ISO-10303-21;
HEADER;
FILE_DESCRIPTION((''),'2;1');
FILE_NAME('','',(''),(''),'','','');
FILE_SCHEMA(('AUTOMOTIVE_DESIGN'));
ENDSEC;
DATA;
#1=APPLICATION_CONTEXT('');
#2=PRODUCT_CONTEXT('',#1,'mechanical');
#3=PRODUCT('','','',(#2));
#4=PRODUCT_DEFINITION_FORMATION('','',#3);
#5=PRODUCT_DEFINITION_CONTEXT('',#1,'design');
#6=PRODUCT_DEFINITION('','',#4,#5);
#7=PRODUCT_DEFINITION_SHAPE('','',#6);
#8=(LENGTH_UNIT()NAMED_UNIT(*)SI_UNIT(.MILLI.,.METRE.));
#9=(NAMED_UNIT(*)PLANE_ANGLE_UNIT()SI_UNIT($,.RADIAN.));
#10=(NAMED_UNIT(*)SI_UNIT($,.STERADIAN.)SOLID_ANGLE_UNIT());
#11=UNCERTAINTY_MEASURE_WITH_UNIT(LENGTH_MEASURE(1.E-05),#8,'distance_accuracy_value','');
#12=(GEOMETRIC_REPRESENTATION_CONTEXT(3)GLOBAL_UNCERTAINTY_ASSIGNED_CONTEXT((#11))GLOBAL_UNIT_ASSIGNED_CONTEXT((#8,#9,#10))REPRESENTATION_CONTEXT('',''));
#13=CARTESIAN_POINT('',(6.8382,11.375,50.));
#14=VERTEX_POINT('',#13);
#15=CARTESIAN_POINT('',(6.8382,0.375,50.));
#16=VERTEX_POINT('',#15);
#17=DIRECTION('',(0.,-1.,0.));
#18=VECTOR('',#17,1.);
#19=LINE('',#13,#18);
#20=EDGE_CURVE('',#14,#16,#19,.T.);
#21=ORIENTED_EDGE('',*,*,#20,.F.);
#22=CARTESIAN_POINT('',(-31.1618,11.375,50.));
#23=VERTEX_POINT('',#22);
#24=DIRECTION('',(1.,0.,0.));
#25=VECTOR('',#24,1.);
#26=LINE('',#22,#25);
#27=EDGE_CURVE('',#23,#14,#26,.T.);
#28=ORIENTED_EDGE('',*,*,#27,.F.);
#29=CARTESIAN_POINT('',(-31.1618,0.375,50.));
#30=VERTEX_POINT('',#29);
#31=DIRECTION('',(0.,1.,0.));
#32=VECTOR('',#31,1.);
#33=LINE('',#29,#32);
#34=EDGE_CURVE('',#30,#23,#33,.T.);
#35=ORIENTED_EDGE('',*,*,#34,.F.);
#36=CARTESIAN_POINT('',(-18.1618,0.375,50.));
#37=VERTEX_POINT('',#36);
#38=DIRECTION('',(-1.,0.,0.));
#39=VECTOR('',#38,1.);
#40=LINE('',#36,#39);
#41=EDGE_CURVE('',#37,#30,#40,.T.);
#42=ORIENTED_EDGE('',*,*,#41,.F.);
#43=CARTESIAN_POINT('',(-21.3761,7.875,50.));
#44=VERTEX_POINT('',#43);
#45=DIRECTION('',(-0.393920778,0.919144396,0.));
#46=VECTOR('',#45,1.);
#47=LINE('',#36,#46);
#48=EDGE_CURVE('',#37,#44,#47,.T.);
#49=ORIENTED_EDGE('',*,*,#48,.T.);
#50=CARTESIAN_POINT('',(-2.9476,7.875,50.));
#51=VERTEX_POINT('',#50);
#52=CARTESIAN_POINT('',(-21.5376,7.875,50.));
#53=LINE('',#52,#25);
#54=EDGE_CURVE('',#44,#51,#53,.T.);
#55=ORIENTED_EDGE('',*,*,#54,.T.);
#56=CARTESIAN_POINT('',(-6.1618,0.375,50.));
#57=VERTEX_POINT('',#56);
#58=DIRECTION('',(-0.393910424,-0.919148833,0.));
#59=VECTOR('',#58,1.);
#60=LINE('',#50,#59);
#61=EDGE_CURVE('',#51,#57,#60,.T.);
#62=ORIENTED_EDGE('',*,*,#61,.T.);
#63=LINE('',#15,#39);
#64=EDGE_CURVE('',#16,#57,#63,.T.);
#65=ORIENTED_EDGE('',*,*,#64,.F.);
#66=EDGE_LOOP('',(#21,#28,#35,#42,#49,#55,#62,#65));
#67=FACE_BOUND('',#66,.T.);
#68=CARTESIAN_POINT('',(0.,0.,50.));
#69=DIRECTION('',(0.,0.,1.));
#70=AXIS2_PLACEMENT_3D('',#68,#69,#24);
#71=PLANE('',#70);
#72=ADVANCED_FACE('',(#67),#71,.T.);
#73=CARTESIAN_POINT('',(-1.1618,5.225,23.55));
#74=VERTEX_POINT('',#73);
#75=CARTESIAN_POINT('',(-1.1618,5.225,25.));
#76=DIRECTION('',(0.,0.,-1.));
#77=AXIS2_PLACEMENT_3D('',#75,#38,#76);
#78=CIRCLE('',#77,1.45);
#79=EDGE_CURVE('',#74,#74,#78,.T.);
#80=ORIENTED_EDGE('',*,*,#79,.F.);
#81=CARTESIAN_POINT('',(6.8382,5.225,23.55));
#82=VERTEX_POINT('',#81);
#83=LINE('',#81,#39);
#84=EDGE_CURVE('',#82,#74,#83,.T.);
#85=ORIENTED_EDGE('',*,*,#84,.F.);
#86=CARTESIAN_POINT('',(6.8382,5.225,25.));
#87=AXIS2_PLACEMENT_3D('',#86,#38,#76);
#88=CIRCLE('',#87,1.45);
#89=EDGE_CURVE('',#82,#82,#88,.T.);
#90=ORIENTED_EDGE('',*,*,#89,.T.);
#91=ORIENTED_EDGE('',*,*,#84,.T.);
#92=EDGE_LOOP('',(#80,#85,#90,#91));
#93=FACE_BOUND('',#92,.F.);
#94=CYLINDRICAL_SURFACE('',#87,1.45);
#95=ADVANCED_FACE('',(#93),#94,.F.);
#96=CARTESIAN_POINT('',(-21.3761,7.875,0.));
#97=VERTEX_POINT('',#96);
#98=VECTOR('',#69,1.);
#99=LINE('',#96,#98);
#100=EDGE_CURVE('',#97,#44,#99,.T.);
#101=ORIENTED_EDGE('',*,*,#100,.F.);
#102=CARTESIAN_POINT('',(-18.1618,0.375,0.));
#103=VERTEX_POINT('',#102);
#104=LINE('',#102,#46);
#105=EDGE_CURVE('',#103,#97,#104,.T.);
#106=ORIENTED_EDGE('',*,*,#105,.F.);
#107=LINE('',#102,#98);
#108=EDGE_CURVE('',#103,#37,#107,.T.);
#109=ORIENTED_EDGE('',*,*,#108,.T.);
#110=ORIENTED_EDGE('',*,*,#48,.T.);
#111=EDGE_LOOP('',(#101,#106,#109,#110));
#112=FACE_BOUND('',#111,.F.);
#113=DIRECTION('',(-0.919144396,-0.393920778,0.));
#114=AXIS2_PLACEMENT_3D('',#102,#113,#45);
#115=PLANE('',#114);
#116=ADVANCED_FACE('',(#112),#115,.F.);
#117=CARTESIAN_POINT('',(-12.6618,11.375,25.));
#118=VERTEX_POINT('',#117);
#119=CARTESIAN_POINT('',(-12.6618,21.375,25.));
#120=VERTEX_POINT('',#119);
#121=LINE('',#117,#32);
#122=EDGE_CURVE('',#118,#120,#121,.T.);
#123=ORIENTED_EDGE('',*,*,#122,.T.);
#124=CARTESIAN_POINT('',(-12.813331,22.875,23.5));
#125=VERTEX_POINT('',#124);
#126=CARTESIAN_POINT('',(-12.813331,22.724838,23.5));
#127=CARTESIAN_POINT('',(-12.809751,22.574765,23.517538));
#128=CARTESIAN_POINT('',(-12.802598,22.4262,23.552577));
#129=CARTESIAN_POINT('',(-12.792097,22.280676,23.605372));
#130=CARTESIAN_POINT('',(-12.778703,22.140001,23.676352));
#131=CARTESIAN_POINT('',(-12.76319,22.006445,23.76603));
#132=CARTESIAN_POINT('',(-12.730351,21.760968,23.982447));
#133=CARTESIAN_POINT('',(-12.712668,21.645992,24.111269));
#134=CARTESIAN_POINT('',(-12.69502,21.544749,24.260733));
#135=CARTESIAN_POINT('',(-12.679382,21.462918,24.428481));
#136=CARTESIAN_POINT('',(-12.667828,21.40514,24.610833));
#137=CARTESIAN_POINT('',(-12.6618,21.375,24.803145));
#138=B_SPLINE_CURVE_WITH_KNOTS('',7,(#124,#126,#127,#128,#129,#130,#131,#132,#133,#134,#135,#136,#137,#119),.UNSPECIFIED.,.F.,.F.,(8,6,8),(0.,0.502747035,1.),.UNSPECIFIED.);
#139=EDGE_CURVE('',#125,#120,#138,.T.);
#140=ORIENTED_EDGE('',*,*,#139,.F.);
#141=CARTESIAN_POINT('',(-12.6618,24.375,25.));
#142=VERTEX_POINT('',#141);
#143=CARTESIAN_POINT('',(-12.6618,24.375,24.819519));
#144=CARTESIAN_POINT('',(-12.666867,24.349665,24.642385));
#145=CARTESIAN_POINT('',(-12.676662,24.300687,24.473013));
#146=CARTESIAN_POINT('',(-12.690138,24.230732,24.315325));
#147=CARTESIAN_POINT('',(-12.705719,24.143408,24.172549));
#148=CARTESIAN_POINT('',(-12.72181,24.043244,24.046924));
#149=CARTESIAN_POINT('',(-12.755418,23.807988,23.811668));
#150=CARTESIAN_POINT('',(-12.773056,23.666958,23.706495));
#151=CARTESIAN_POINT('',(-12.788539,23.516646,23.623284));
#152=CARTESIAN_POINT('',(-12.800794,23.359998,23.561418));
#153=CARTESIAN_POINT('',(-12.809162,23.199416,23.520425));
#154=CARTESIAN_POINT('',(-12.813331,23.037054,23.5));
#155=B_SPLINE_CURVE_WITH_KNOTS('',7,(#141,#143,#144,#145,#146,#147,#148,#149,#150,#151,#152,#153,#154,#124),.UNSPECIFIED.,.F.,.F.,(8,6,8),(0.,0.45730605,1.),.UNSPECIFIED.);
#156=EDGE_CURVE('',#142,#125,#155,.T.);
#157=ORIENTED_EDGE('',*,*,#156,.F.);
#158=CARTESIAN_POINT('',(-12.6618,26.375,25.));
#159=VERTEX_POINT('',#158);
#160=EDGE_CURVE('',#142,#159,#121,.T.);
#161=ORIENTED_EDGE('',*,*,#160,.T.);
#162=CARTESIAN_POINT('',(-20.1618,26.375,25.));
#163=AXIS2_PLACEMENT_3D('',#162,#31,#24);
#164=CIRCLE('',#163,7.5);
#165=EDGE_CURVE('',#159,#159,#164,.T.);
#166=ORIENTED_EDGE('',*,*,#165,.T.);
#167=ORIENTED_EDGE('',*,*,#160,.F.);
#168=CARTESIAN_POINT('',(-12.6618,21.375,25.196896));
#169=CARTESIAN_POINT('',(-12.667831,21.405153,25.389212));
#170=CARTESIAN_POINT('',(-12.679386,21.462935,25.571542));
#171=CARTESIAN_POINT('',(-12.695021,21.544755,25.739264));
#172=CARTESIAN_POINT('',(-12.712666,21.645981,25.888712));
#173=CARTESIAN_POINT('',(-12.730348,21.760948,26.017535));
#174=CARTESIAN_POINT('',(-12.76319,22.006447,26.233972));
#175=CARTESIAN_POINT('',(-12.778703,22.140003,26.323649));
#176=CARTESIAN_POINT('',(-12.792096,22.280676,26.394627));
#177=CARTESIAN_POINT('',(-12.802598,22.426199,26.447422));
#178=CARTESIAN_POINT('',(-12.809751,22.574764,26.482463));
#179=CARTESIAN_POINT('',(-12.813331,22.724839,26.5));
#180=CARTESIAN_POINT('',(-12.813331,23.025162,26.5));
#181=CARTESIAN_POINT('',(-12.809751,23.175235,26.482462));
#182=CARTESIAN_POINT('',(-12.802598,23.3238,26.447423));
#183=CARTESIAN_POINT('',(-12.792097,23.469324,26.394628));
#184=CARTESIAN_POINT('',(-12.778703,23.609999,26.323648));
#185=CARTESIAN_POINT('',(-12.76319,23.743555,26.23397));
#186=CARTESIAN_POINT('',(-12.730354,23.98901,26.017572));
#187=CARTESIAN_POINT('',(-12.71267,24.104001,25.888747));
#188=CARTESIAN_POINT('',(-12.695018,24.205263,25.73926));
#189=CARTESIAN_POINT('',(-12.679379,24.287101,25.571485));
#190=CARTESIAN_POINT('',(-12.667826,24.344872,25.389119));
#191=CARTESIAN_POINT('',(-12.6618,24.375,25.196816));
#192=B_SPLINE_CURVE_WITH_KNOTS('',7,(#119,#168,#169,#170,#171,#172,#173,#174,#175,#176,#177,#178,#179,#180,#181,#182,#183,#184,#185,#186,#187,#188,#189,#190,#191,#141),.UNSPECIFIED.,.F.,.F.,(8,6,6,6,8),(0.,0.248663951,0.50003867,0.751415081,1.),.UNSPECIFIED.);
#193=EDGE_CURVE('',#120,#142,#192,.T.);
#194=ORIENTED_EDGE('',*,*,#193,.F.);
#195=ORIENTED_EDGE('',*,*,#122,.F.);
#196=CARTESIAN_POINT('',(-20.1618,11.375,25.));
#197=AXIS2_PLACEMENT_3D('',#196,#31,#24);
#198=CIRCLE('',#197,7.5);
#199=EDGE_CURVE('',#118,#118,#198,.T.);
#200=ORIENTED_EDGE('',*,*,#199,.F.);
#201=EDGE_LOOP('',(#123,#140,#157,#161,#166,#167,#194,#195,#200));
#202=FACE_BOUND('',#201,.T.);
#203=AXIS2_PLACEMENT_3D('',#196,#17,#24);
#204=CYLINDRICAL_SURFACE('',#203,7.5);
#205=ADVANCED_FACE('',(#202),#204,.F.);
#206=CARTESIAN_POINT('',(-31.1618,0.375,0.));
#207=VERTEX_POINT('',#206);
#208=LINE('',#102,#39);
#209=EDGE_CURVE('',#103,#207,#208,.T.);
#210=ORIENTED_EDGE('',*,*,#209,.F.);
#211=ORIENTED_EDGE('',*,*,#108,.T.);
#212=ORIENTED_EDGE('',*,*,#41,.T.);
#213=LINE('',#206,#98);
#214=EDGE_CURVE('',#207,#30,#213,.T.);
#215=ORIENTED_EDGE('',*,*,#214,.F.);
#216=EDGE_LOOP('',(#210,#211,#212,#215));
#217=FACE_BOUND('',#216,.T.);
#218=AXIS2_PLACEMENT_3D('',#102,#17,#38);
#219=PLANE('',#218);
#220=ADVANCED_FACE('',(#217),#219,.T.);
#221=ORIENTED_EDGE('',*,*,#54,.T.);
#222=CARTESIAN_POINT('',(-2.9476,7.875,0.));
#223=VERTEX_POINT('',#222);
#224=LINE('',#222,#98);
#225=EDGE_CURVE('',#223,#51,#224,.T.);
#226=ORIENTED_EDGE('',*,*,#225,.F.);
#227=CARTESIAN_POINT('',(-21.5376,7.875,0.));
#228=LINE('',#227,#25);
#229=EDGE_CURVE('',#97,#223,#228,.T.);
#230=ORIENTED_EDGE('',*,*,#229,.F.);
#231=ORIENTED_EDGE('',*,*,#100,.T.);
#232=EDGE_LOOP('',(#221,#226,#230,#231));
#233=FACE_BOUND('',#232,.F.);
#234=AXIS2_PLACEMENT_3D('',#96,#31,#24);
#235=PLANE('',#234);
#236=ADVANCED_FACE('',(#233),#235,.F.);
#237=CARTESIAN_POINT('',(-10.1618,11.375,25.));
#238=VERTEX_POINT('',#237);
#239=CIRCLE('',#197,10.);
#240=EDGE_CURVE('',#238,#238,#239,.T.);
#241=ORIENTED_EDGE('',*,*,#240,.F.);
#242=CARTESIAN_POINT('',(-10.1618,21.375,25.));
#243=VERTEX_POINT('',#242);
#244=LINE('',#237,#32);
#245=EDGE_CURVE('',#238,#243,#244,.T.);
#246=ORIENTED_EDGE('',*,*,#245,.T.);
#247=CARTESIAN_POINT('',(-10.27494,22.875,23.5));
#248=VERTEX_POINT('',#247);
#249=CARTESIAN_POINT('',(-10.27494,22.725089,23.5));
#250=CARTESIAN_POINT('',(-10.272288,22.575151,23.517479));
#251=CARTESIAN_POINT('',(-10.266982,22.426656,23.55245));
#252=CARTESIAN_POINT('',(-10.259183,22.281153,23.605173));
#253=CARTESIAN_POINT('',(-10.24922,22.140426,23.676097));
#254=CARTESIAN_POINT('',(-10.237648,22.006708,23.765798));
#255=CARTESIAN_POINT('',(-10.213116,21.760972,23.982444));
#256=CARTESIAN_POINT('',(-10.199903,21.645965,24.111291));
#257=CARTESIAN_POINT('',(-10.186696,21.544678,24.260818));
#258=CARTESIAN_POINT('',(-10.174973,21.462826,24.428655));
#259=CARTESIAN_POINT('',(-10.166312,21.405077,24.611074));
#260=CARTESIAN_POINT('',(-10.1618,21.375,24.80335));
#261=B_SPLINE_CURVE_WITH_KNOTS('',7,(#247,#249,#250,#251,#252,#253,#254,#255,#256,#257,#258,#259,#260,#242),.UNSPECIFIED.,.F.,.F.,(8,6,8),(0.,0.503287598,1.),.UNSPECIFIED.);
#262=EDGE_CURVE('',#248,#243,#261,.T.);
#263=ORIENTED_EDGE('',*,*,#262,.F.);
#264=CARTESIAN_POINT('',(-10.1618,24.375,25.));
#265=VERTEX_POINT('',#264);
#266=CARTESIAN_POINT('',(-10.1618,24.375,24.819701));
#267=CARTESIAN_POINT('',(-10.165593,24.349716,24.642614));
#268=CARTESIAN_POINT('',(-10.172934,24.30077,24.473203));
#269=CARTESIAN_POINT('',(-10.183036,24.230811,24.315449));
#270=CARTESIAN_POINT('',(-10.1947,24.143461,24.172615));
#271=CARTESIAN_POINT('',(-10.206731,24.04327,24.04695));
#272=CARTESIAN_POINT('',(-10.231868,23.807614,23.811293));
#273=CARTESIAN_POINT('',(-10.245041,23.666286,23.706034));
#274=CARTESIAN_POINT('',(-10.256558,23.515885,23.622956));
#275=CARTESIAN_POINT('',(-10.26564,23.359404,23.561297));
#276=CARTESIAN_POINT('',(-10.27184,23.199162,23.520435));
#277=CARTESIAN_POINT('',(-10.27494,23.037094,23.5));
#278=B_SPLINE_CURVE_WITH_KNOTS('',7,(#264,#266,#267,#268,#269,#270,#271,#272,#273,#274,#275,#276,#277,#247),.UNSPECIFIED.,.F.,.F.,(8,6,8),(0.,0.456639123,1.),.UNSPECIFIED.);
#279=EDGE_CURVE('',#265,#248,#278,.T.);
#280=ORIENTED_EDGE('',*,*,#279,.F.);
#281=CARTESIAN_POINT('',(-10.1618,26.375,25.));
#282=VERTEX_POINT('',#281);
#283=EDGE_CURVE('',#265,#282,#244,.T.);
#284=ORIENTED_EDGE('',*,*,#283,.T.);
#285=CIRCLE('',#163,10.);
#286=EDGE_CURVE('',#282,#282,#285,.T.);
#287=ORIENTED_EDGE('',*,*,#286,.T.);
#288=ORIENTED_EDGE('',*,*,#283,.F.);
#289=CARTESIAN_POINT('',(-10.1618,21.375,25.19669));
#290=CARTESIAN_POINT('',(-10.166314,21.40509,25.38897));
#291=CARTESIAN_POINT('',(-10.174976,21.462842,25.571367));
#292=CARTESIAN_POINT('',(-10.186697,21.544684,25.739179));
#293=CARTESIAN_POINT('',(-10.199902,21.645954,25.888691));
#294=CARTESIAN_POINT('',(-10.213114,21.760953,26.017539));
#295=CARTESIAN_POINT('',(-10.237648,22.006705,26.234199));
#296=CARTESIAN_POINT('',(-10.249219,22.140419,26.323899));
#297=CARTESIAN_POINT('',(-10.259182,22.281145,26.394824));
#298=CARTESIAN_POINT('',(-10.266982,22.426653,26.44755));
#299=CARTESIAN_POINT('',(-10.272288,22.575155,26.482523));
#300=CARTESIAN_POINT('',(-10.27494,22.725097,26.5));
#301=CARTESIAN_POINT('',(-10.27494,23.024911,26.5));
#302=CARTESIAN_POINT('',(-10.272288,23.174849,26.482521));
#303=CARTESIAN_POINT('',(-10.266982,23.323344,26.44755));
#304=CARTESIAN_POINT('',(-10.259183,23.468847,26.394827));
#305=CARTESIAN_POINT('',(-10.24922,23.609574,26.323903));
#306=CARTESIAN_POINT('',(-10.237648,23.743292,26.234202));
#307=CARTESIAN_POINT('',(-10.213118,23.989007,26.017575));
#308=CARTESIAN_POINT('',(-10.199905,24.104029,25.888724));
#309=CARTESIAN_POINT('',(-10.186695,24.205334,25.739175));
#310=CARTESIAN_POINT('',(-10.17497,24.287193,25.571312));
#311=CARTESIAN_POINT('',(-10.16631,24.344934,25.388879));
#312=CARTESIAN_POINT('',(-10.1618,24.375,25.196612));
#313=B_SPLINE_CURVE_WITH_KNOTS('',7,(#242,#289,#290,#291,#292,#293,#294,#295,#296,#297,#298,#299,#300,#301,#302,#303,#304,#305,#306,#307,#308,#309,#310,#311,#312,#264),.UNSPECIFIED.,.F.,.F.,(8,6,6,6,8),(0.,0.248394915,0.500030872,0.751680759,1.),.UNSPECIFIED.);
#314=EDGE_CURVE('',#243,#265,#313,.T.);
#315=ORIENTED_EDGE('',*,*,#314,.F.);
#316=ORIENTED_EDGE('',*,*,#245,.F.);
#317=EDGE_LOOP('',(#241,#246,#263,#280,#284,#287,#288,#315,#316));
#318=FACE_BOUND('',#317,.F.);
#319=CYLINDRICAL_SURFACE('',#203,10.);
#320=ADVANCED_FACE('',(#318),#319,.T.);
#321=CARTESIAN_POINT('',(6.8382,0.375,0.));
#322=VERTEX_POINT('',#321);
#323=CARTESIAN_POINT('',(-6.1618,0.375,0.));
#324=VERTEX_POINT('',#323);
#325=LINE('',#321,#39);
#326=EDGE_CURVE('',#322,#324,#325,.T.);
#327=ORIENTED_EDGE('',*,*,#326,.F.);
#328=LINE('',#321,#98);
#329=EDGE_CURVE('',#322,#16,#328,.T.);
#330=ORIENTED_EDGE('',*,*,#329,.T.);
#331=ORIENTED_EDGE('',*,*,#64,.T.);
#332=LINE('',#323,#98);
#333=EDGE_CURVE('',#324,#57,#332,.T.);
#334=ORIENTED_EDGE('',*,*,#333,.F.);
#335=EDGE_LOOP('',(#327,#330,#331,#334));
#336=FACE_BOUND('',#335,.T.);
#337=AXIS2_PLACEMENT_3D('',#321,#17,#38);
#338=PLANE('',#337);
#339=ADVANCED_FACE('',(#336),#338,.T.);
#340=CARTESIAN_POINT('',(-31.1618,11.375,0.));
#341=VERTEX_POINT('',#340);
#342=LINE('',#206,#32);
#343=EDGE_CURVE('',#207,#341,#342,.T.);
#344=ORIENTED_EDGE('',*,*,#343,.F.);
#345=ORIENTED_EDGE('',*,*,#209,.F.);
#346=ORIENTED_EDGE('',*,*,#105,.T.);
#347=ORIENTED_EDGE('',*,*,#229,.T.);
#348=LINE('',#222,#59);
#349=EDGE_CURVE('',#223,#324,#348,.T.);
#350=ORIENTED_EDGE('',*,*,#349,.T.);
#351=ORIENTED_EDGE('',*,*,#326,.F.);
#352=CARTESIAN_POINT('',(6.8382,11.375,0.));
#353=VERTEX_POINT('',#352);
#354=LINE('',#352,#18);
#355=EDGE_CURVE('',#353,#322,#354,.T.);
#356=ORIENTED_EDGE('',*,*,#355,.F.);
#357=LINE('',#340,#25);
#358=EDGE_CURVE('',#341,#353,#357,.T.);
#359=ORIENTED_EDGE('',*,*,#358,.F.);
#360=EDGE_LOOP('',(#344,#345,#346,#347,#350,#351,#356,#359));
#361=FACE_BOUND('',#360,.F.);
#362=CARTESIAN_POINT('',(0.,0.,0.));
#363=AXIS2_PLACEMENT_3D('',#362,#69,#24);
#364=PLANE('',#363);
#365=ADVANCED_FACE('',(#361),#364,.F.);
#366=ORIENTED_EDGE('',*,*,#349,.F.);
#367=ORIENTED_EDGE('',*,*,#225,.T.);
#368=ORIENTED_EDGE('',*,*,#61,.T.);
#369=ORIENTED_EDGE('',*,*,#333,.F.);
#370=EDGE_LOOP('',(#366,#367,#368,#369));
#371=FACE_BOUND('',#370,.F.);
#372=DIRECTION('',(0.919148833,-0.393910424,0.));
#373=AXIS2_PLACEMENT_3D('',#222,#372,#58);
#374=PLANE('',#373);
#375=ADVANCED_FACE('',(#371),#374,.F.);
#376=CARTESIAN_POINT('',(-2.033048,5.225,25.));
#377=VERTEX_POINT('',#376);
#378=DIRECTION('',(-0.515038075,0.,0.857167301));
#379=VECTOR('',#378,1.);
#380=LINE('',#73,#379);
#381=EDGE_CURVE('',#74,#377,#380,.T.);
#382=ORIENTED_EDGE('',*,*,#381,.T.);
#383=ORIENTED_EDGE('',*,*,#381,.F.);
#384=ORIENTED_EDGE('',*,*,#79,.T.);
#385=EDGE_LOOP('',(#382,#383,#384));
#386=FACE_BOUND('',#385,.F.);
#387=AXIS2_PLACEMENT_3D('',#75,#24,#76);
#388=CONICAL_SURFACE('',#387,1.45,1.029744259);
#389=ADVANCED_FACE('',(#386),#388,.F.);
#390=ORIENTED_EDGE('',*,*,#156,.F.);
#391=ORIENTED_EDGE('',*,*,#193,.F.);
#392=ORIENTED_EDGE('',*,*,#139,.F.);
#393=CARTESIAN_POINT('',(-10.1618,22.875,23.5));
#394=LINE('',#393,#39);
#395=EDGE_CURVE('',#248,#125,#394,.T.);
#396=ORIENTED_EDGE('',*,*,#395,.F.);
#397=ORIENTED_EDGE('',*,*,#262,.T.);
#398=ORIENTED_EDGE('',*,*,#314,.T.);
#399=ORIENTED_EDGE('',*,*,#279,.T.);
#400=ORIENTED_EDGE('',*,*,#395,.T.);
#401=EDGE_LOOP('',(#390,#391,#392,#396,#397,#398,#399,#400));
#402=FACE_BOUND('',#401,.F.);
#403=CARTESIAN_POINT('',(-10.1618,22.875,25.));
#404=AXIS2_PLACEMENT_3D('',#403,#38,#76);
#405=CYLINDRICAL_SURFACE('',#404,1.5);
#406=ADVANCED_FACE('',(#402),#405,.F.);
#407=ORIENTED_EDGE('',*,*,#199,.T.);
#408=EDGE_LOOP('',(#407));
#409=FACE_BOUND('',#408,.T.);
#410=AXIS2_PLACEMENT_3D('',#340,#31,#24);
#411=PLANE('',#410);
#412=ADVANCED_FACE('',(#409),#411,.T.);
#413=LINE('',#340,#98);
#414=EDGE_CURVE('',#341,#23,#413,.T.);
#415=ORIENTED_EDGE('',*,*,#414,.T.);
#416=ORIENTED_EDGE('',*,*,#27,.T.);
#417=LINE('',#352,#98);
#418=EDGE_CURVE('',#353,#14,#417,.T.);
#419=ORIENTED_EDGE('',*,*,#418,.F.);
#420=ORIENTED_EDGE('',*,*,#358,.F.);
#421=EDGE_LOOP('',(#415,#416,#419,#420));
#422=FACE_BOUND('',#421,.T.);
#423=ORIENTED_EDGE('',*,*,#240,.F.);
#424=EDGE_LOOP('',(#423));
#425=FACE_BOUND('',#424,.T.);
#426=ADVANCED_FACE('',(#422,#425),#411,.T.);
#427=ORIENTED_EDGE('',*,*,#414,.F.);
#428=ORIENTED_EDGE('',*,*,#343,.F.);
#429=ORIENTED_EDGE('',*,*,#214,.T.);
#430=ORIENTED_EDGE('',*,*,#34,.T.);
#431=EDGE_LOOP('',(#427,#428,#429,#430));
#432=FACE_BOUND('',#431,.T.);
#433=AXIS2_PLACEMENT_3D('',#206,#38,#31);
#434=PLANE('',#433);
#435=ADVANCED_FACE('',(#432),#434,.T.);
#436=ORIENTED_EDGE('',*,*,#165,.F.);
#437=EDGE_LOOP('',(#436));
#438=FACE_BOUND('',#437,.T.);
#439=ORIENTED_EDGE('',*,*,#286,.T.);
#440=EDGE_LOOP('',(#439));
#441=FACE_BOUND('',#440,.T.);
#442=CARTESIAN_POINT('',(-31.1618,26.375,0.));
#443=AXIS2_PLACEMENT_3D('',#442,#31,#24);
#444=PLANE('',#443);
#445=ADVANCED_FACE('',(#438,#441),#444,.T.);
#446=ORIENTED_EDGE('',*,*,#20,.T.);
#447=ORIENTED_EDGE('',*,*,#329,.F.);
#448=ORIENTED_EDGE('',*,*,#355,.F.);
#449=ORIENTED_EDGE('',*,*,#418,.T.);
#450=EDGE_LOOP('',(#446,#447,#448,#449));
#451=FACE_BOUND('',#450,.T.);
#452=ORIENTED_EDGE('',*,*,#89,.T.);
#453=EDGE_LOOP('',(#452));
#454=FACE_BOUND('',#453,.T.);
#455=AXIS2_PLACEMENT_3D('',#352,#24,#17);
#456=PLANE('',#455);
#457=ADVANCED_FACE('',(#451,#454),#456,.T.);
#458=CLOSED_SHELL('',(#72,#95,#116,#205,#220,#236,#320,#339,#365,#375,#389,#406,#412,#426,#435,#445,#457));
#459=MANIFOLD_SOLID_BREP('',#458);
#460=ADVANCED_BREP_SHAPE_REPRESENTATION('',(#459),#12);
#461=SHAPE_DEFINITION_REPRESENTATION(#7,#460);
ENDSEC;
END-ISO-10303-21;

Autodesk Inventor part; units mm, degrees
ref_plane "YZ Plane" through (0, 0, 0) normal (1, 0, 0) x (0, 1, 0)
ref_plane "XZ Plane" through (0, 0, 0) normal (0, 1, 0) x (-1, 0, 0)
ref_plane "XY Plane" through (0, 0, 0) normal (0, 0, 1) x (1, 0, 0)
sketch "Skizze1" plane through (0, 0, 0) normal (0, 0, 1) x (1, 0, 0)
  line L0 (-18.1618, 0.375) -> (-21.3761, 7.875)
  line L1 (-2.9476, 7.875) -> (-6.1618, 0.375)
  line L2 (-6.1618, 0.375) -> (-18.1618, 0.375)
  line L3 (-18.1618, 0.375) -> (-31.1618, 0.375)
  line L4 (-31.1618, 0.375) -> (-31.1618, 11.375)
  line L5 (-31.1618, 11.375) -> (6.8382, 11.375)
  line L6 (6.8382, 11.375) -> (6.8382, 0.375)
  line L7 (6.8382, 0.375) -> (-6.1618, 0.375)
  line L8 (-21.5376, 7.875) -> (-2.9476, 7.875)
  point P0 (0, 0)
  point P1 (-21.1618, 7.375)
  point P2 (-3.1618, 7.375)
  dimension "d10" = 38
  dimension "d14" = 12
  dimension "d29" = 13
extrude "Extrusion1" add sketch "Skizze1" along normal blind 50 contours L3 L4 L5 L6 L7 L1 L8 L0
sketch "Skizze2" plane through (6.8382, 0.375, 0) normal (1, 0, 0) x (0, 0, -1)
  line L0 (-50, 0) -> (-50, 11) projected
  line L1 (0, 11) -> (-50, 11) projected
  point P0 (0, -0.375)
  point P1 (-25, 4.85)
  dimension "d19" = 6.15
hole "Bohrung1" at (6.8382, 5.225, 25) direction (-1, 0, 0) diameter 2.9 depth 8 tip angle 118
sketch "Skizze3" plane through (-21.3761, 7.875, 0) normal (0, -1, 0) x (1, 0, 0)
  line L0 (0, 50) -> (18.4286, 50) projected
  line L1 (28.2143, 0) -> (28.2143, 50) projected
  point P0 (21.3761, 0)
sketch "Skizze5" plane through (-31.1618, 11.375, 0) normal (0, 1, 0) x (1, 0, 0)
  line L0 (0, 0) -> (0, -50) projected
  line L1 (38, 0) -> (0, 0) projected
  circle A0 centre (11, -25) radius 7.5
  circle A1 centre (11, -25) radius 10
  point P0 (31.1618, 0)
  dimension "d39" = 11
  dimension "d40" = 25
  dimension "d41" = 15
  dimension "d42" = 20
extrude "Extrusion2" add sketch "Skizze5" along normal blind 15
ref_plane "Arbeitsebene1" through (-10.1618, 11.375, 25) normal (-1, 0, 0) x (0, -1, 0)
sketch "Skizze6" plane through (-10.1618, 11.375, 25) normal (-1, 0, 0) x (0, -1, 0)
  line L0 (-15, 10) -> (-15, -10) projected
  point P0 (11.375, -25)
  point P1 (-11.5, 0)
  dimension "d45" = 3.5
hole "Bohrung3" at (-10.1618, 22.875, 25) direction (-1, 0, 0) diameter 3 depth 8 tip angle 118
properties part number "7.1 Schlitten mit Rundung für Objektivhalter"
